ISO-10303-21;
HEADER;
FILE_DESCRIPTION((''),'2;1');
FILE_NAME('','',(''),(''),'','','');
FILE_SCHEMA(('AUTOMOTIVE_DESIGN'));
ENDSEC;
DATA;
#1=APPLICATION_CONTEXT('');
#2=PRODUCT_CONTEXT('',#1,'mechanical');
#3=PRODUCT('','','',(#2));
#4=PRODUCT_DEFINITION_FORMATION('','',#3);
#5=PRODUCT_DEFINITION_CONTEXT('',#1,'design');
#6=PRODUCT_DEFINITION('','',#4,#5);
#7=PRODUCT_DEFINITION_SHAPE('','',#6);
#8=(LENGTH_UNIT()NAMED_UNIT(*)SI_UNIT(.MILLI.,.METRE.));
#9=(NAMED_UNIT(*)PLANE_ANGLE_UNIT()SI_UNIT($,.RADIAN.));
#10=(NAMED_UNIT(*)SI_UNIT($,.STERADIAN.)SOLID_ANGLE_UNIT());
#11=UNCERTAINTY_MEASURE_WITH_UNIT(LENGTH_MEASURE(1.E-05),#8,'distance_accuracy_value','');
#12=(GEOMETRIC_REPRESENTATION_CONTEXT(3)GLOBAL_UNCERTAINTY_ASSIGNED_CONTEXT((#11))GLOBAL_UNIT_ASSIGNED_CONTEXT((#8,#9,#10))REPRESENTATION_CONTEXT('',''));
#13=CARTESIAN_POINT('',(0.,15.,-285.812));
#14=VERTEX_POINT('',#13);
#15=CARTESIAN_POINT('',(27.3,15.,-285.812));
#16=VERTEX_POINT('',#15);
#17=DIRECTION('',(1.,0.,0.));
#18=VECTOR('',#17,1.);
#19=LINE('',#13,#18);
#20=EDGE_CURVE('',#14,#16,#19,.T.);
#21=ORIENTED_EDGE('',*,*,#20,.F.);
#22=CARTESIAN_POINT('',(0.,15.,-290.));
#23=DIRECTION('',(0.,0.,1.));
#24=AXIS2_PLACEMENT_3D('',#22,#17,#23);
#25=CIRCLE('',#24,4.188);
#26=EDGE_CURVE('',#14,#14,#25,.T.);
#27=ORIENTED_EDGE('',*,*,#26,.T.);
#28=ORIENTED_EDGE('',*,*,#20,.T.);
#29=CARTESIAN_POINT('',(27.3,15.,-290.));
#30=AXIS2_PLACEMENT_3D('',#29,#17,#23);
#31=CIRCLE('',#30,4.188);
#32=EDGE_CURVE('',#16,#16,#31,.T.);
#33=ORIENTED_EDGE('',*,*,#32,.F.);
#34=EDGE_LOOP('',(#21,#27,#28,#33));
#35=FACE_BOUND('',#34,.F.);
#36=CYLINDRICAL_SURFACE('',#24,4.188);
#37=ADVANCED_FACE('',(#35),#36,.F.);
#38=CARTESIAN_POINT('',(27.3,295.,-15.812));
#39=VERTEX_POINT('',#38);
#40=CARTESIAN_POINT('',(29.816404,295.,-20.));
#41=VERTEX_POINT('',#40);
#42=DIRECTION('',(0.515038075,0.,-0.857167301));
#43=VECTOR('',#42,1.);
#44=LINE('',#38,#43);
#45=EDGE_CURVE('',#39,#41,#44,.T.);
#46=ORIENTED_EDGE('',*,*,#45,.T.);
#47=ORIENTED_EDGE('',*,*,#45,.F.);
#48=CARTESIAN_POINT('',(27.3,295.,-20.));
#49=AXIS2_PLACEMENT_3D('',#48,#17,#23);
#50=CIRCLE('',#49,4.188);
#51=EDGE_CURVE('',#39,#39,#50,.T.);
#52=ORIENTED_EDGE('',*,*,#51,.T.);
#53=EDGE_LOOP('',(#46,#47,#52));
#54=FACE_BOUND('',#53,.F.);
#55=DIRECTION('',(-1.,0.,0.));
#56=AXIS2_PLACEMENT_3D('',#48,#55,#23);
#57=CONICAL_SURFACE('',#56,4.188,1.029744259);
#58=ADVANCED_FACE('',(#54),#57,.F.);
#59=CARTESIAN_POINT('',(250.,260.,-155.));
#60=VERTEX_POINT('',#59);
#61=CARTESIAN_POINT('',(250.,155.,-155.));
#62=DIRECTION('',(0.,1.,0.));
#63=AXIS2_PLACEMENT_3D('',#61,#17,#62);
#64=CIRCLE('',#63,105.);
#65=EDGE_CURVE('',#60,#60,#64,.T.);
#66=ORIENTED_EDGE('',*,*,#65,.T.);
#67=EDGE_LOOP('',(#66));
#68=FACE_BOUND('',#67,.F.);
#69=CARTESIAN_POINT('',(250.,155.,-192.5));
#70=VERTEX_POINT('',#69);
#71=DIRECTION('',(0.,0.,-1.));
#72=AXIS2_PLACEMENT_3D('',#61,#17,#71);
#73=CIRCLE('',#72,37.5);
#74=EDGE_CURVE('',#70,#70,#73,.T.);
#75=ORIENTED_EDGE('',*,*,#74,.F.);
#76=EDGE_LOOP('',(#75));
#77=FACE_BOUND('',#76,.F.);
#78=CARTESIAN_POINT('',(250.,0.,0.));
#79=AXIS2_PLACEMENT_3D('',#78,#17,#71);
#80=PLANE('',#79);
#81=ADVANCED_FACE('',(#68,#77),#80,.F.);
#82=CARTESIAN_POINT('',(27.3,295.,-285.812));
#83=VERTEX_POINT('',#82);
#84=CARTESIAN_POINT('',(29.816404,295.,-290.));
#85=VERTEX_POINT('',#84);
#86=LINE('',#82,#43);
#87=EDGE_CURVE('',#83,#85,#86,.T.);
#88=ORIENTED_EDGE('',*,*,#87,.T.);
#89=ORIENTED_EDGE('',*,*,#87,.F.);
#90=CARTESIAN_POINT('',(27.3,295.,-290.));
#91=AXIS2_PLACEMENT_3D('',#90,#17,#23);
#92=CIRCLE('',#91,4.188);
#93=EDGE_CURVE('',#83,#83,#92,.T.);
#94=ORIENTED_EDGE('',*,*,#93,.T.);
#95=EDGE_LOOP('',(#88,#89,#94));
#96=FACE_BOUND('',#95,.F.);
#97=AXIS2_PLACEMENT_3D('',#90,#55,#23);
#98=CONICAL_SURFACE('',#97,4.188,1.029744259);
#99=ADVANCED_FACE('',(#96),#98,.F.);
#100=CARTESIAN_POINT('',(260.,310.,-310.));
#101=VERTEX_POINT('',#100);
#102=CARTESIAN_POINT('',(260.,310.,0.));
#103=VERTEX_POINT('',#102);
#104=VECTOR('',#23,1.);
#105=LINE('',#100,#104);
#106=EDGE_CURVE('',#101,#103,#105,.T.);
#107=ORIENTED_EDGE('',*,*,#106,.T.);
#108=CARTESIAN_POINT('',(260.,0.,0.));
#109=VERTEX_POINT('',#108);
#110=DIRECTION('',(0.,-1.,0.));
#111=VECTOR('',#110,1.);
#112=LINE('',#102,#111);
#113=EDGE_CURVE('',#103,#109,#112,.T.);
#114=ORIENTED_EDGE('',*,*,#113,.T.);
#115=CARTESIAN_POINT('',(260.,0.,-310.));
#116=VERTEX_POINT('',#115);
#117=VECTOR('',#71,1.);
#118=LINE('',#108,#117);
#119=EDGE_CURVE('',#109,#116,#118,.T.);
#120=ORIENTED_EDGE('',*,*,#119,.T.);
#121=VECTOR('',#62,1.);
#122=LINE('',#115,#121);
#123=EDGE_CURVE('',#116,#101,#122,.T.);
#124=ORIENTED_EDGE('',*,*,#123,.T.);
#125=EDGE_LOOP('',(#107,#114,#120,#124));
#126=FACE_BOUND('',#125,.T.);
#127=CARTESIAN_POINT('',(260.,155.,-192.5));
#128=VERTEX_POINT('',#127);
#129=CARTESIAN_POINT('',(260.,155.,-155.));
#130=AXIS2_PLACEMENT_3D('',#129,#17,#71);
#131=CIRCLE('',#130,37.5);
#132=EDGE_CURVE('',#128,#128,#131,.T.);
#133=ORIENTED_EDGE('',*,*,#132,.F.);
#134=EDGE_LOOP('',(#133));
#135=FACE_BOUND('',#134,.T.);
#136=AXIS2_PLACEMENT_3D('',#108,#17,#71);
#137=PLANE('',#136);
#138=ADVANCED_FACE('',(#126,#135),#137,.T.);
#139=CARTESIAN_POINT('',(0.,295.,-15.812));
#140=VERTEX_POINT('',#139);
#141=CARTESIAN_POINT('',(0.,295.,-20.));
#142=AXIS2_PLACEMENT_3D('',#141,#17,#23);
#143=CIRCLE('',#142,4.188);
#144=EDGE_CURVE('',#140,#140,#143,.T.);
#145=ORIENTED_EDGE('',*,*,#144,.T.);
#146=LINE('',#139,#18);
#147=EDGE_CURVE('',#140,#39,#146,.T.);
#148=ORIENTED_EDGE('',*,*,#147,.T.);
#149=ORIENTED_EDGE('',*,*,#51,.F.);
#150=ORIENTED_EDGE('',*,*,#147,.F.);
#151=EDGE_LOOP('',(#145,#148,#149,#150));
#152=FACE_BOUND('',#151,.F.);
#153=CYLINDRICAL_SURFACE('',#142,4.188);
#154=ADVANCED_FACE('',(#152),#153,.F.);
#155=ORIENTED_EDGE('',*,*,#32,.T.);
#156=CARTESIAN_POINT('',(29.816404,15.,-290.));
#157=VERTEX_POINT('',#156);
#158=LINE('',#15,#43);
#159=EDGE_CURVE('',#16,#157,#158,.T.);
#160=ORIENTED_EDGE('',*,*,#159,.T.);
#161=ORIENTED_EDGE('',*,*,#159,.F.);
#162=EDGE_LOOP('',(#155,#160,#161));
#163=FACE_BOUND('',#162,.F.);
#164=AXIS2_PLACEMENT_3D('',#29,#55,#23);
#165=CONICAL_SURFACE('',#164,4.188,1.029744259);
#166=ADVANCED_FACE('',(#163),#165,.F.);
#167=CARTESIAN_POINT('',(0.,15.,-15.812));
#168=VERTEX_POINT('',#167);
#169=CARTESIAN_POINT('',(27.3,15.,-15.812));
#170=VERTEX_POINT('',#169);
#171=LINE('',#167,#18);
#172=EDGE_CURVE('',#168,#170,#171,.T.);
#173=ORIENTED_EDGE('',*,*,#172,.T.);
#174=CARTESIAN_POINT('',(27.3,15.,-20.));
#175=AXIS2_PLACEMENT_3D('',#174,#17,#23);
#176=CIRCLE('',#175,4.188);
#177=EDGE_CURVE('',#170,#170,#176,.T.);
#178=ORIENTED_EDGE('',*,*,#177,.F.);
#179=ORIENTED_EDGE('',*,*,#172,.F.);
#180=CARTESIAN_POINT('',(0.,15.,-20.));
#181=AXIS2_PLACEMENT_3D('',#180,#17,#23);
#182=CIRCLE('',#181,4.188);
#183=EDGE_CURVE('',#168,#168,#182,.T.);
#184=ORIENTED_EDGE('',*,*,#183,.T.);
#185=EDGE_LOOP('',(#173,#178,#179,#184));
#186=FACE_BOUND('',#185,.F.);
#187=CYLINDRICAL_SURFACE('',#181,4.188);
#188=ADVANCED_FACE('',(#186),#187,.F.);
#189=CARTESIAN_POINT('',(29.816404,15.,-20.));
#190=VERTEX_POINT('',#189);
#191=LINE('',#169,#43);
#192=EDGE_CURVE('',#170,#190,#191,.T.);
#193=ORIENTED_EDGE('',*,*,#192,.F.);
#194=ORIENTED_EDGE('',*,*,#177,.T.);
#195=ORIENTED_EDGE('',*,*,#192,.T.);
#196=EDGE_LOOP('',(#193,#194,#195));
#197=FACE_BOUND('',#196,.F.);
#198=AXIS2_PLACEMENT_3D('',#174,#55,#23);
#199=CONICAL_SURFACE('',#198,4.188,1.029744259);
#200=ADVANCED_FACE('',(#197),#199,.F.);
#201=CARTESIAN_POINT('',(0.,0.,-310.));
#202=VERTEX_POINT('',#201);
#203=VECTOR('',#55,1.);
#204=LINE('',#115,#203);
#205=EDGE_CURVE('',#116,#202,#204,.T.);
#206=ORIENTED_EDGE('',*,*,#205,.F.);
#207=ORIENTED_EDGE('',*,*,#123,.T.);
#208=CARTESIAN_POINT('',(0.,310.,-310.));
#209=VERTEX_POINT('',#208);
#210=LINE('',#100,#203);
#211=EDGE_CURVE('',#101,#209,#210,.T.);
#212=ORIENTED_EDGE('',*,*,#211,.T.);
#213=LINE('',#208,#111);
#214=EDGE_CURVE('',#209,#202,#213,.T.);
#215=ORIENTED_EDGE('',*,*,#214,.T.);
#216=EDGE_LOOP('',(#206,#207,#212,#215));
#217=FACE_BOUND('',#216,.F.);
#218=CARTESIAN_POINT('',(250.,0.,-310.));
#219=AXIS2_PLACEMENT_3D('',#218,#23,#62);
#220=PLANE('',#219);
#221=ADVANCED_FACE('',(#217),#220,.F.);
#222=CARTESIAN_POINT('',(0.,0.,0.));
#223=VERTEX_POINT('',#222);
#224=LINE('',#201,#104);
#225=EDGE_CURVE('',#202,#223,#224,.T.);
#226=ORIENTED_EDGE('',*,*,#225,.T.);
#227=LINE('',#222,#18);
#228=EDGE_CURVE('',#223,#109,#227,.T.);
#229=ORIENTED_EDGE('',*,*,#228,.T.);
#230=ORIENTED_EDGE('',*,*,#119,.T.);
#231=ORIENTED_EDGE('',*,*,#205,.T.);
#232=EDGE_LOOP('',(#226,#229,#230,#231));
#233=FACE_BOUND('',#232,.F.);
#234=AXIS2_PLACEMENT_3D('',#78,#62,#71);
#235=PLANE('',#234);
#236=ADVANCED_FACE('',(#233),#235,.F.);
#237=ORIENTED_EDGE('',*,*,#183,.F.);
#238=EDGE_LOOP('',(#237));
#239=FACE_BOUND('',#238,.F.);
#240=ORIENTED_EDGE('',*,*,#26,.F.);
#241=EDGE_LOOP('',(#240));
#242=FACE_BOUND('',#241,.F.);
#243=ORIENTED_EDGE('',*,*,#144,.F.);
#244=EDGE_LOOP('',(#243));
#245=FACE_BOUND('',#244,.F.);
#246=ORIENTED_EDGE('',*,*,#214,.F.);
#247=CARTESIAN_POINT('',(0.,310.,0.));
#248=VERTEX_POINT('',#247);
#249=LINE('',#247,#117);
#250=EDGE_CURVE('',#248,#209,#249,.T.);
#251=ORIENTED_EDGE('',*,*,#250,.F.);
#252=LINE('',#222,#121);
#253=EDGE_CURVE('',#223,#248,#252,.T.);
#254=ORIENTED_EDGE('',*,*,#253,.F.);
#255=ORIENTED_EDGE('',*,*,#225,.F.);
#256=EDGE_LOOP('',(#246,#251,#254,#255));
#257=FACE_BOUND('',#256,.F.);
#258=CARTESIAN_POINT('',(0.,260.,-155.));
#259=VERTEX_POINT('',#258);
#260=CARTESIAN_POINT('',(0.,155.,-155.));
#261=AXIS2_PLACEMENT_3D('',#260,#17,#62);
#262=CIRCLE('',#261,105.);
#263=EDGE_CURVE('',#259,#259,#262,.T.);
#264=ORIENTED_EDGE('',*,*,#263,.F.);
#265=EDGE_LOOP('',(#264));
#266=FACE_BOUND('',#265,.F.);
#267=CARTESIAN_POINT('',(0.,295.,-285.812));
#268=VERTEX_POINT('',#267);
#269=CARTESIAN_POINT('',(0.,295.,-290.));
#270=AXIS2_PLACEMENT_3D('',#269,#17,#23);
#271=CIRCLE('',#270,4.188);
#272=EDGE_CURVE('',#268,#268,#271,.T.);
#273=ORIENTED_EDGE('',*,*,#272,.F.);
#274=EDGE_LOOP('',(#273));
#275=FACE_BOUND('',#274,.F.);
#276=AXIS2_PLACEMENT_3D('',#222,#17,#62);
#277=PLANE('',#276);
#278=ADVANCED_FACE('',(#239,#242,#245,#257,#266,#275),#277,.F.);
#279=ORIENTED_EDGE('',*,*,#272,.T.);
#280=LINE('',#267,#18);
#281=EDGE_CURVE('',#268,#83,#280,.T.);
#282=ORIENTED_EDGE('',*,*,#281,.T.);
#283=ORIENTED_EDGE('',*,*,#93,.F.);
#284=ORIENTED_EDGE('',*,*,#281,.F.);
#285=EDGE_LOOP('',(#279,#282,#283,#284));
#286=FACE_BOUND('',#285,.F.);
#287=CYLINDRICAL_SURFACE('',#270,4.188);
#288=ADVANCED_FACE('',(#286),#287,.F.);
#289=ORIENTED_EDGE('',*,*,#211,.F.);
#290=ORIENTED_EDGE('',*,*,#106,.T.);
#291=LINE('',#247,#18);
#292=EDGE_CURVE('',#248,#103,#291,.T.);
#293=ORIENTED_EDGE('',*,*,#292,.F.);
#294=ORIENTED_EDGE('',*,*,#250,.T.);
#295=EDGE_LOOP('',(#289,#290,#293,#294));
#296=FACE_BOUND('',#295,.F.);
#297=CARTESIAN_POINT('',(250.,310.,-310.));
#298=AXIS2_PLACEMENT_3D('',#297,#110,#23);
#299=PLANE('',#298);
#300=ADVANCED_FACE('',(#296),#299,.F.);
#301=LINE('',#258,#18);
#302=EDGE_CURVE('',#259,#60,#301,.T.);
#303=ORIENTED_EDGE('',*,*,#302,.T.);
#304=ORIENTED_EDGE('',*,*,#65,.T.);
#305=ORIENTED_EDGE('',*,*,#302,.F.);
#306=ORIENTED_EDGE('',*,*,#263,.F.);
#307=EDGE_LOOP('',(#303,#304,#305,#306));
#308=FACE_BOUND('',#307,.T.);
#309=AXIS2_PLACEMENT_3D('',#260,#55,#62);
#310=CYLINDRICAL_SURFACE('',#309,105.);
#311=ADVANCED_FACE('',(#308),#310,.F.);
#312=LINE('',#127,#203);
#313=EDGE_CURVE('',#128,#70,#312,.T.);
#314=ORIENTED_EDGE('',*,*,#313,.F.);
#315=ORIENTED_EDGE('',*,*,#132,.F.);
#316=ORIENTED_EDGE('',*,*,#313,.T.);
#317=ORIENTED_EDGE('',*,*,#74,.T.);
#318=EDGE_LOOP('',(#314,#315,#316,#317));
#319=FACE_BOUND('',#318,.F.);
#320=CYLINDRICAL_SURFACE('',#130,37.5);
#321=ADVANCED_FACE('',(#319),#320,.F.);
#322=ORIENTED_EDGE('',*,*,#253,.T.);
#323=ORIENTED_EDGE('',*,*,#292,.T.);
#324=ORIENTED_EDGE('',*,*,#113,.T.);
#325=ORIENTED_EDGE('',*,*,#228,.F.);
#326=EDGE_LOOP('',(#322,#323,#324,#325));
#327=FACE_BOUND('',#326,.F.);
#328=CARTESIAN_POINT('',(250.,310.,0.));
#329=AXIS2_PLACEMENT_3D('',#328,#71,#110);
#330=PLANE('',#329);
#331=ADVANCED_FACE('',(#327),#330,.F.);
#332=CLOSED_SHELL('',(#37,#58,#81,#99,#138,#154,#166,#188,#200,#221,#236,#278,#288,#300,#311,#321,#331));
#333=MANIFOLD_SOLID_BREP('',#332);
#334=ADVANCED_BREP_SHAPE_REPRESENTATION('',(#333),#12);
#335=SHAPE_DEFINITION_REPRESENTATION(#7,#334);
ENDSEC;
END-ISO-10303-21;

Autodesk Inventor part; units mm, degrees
ref_plane "YZ Plane" through (0, 0, 0) normal (1, 0, 0) x (0, 1, 0)
ref_plane "XZ Plane" through (0, 0, 0) normal (0, 1, 0) x (-1, 0, 0)
ref_plane "XY Plane" through (0, 0, 0) normal (0, 0, 1) x (1, 0, 0)
sketch "Skizze1" plane through (0, 0, 0) normal (1, 0, 0) x (0, 1, 0)
  line L0 (0, 0) -> (310, 0)
  line L1 (310, 0) -> (310, -310)
  line L2 (310, -310) -> (0, -310)
  line L3 (0, -310) -> (0, 0)
  dimension "d0" = 310
  dimension "d1" = 310
sketch "Skizze2" plane through (0, 0, 0) normal (1, 0, 0) x (0, 1, 0)
  circle A0 centre (155, -155) radius 105
  point P0 (0, 0)
  dimension "d4" = 210
extrude "Extrusion1" add sketch "Skizze1" along normal blind 250
extrude "Extrusion2" cut sketch "Skizze2" along normal blind 250
sketch "Skizze3" plane through (250, 0, 0) normal (1, 0, 0) x (0, 0, -1)
  line L0 (0, 310) -> (0, 0) projected
  line L1 (310, 310) -> (0, 310) projected
  line L2 (0, 0) -> (310, 0)
  line L3 (310, 0) -> (310, 310)
  line L4 (310, 310) -> (0, 310)
  line L5 (0, 310) -> (0, 0)
extrude "Extrusion3" add sketch "Skizze3" along normal blind 10
sketch "Skizze4" plane through (260, 0, 0) normal (1, 0, 0) x (0, 0, -1)
  circle A0 centre (155, 155) radius 37.5
  point P0 (0, 0)
  dimension "d13" = 75
extrude "Extrusion4" cut sketch "Skizze4" against normal blind 10
sketch "Skizze5" plane through (0, 0, 0) normal (-1, 0, 0) x (0, 0, 1)
  line L0 (-310, 0) -> (-310, 310) projected
  line L1 (-310, 310) -> (-290, 310)
  line L2 (-290, 310) -> (-290, 295)
  line L3 (-290, 295) -> (-310, 295)
  line L4 (-310, 295) -> (-310, 310)
  line L5 (-310, 310) -> (0, 310) projected
  line L6 (0, 310) -> (-20, 310)
  line L7 (-20, 310) -> (-20, 295)
  line L8 (-20, 295) -> (0, 295)
  line L9 (0, 295) -> (0, 310)
  line L10 (0, 0) -> (-310, 0) projected
  line L11 (0, 0) -> (-20, 0)
  line L12 (-20, 0) -> (-20, 15)
  line L13 (-20, 15) -> (0, 15)
  line L14 (0, 15) -> (0, 0)
  line L15 (-310, 0) -> (-290, 0)
  line L16 (-290, 0) -> (-290, 15)
  line L17 (-290, 15) -> (-310, 15)
  line L18 (-310, 15) -> (-310, 0)
  dimension "d16" = 20
  dimension "d17" = 15
  dimension "d18" = 20
  dimension "d19" = 15
hole "Bohrung1" at (0, 295, -290) at (0, 295, -20) at (0, 15, -20) at (0, 15, -290) direction (1, 0, 0) diameter 8.376 depth 27.3 tip angle 118 thread size "M10x1.5" class "6H" standard "ISO Metric profile"
properties part number "Führung_hochfahren"
